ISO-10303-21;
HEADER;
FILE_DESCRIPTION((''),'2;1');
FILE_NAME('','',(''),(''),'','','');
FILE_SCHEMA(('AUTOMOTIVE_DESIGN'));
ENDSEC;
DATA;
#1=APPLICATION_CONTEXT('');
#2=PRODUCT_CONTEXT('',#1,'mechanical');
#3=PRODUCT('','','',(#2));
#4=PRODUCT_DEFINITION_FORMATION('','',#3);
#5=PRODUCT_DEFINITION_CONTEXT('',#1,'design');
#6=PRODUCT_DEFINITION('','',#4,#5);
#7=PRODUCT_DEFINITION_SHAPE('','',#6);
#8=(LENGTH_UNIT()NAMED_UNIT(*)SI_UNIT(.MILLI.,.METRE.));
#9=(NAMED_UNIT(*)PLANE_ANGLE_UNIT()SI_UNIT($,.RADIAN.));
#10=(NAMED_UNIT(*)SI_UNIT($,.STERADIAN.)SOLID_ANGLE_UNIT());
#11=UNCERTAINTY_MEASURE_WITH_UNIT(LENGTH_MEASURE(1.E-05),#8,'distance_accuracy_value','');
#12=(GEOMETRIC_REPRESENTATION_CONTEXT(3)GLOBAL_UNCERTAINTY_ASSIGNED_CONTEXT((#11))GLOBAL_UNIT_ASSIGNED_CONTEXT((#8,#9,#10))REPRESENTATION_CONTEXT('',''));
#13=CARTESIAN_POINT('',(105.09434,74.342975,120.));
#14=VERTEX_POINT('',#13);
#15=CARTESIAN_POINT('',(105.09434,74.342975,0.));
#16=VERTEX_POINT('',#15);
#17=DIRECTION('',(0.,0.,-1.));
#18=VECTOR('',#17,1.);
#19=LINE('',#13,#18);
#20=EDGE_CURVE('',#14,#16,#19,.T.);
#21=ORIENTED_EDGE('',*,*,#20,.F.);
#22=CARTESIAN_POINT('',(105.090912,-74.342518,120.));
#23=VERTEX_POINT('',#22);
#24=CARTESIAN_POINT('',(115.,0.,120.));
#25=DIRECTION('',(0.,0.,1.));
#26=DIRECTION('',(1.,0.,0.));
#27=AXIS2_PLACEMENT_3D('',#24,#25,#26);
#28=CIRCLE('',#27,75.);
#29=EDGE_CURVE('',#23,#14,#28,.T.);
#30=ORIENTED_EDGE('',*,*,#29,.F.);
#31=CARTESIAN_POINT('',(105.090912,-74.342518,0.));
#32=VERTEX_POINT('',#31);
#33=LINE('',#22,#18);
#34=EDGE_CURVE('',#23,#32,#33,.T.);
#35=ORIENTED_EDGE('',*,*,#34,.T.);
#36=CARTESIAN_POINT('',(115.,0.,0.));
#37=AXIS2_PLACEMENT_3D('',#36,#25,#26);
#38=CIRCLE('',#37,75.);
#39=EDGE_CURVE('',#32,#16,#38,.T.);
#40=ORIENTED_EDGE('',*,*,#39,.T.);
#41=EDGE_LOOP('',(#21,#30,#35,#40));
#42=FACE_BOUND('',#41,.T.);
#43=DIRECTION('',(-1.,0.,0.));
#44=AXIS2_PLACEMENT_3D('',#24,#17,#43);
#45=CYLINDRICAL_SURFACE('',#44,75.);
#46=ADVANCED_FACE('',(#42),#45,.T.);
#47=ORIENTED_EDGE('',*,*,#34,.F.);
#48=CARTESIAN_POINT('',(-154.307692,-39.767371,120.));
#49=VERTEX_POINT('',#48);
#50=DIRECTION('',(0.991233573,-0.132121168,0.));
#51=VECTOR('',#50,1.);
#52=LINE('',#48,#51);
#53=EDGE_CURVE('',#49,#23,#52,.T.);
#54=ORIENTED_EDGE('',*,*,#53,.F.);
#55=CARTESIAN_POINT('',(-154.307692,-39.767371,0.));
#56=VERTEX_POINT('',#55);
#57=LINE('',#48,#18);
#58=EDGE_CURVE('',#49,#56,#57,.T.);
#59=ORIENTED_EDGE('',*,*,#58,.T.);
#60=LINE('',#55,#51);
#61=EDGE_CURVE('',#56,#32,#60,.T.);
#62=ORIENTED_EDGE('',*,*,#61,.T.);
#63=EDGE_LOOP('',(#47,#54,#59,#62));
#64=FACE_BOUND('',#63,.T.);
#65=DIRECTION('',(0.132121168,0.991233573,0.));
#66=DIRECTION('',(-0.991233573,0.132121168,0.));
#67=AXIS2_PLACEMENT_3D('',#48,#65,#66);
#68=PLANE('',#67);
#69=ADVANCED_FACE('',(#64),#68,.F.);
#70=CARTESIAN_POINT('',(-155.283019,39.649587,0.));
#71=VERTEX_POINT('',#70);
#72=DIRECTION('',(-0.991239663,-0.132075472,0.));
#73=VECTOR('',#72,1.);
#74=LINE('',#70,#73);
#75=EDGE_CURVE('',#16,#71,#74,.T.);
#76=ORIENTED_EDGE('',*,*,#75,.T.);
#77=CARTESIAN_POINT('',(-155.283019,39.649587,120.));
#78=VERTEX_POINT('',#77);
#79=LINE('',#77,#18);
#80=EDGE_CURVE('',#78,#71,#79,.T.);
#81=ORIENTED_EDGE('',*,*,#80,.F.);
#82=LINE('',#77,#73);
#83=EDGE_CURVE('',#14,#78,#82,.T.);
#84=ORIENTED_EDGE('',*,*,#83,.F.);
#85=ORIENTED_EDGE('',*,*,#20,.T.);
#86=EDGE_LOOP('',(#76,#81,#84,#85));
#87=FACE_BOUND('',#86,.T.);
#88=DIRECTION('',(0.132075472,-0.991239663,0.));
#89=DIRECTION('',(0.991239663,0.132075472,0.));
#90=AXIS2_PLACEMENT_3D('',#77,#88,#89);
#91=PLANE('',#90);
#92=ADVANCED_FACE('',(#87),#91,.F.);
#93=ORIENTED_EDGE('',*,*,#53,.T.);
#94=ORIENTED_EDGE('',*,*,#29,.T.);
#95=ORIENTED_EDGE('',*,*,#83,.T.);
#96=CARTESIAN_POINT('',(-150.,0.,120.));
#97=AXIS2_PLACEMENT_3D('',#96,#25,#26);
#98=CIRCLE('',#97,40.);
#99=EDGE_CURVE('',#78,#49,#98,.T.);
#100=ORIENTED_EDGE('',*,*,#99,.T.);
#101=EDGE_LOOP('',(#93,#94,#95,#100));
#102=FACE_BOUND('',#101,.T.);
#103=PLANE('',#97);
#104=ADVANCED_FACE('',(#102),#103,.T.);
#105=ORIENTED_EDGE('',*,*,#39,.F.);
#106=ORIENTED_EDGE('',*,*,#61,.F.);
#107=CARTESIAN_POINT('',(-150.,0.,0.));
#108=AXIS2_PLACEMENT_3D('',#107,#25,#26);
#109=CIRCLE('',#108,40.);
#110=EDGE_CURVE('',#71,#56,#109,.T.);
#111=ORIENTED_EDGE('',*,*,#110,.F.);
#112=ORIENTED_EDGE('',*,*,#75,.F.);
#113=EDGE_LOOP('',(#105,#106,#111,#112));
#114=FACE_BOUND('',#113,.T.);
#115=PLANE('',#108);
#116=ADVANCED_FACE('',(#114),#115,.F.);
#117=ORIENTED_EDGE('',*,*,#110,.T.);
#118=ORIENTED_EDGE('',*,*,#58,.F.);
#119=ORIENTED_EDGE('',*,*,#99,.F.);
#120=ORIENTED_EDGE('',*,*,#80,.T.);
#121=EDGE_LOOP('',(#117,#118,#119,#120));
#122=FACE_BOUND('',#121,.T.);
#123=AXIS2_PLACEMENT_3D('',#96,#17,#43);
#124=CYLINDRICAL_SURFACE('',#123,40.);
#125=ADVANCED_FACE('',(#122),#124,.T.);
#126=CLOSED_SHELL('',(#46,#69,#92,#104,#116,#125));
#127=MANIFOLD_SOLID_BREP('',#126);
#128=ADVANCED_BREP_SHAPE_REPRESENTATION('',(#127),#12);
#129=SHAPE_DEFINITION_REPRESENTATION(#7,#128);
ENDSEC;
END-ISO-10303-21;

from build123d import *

# Parameters (mm, degrees)
EXTRUDE1_DEPTH = 120


with BuildPart() as part:
    # Sketch1 → Extrude1 (new body)
    with BuildSketch(Plane.XY):
        with BuildLine():
            Line((-155.283018868, 39.649586525), (105.094339623, 74.342974735))
            ThreePointArc((105.094339623, 74.342974735), (189.99999998, -0.001728761), (105.090912401, -74.342518003))
            Line((105.090912401, -74.342518003), (-154.307692308, -39.767370883))
            ThreePointArc((-154.307692308, -39.767370883), (-189.996983839, -0.491206437), (-155.283018868, 39.649586525))
        make_face()
    extrude(amount=EXTRUDE1_DEPTH)


solid = part.part
